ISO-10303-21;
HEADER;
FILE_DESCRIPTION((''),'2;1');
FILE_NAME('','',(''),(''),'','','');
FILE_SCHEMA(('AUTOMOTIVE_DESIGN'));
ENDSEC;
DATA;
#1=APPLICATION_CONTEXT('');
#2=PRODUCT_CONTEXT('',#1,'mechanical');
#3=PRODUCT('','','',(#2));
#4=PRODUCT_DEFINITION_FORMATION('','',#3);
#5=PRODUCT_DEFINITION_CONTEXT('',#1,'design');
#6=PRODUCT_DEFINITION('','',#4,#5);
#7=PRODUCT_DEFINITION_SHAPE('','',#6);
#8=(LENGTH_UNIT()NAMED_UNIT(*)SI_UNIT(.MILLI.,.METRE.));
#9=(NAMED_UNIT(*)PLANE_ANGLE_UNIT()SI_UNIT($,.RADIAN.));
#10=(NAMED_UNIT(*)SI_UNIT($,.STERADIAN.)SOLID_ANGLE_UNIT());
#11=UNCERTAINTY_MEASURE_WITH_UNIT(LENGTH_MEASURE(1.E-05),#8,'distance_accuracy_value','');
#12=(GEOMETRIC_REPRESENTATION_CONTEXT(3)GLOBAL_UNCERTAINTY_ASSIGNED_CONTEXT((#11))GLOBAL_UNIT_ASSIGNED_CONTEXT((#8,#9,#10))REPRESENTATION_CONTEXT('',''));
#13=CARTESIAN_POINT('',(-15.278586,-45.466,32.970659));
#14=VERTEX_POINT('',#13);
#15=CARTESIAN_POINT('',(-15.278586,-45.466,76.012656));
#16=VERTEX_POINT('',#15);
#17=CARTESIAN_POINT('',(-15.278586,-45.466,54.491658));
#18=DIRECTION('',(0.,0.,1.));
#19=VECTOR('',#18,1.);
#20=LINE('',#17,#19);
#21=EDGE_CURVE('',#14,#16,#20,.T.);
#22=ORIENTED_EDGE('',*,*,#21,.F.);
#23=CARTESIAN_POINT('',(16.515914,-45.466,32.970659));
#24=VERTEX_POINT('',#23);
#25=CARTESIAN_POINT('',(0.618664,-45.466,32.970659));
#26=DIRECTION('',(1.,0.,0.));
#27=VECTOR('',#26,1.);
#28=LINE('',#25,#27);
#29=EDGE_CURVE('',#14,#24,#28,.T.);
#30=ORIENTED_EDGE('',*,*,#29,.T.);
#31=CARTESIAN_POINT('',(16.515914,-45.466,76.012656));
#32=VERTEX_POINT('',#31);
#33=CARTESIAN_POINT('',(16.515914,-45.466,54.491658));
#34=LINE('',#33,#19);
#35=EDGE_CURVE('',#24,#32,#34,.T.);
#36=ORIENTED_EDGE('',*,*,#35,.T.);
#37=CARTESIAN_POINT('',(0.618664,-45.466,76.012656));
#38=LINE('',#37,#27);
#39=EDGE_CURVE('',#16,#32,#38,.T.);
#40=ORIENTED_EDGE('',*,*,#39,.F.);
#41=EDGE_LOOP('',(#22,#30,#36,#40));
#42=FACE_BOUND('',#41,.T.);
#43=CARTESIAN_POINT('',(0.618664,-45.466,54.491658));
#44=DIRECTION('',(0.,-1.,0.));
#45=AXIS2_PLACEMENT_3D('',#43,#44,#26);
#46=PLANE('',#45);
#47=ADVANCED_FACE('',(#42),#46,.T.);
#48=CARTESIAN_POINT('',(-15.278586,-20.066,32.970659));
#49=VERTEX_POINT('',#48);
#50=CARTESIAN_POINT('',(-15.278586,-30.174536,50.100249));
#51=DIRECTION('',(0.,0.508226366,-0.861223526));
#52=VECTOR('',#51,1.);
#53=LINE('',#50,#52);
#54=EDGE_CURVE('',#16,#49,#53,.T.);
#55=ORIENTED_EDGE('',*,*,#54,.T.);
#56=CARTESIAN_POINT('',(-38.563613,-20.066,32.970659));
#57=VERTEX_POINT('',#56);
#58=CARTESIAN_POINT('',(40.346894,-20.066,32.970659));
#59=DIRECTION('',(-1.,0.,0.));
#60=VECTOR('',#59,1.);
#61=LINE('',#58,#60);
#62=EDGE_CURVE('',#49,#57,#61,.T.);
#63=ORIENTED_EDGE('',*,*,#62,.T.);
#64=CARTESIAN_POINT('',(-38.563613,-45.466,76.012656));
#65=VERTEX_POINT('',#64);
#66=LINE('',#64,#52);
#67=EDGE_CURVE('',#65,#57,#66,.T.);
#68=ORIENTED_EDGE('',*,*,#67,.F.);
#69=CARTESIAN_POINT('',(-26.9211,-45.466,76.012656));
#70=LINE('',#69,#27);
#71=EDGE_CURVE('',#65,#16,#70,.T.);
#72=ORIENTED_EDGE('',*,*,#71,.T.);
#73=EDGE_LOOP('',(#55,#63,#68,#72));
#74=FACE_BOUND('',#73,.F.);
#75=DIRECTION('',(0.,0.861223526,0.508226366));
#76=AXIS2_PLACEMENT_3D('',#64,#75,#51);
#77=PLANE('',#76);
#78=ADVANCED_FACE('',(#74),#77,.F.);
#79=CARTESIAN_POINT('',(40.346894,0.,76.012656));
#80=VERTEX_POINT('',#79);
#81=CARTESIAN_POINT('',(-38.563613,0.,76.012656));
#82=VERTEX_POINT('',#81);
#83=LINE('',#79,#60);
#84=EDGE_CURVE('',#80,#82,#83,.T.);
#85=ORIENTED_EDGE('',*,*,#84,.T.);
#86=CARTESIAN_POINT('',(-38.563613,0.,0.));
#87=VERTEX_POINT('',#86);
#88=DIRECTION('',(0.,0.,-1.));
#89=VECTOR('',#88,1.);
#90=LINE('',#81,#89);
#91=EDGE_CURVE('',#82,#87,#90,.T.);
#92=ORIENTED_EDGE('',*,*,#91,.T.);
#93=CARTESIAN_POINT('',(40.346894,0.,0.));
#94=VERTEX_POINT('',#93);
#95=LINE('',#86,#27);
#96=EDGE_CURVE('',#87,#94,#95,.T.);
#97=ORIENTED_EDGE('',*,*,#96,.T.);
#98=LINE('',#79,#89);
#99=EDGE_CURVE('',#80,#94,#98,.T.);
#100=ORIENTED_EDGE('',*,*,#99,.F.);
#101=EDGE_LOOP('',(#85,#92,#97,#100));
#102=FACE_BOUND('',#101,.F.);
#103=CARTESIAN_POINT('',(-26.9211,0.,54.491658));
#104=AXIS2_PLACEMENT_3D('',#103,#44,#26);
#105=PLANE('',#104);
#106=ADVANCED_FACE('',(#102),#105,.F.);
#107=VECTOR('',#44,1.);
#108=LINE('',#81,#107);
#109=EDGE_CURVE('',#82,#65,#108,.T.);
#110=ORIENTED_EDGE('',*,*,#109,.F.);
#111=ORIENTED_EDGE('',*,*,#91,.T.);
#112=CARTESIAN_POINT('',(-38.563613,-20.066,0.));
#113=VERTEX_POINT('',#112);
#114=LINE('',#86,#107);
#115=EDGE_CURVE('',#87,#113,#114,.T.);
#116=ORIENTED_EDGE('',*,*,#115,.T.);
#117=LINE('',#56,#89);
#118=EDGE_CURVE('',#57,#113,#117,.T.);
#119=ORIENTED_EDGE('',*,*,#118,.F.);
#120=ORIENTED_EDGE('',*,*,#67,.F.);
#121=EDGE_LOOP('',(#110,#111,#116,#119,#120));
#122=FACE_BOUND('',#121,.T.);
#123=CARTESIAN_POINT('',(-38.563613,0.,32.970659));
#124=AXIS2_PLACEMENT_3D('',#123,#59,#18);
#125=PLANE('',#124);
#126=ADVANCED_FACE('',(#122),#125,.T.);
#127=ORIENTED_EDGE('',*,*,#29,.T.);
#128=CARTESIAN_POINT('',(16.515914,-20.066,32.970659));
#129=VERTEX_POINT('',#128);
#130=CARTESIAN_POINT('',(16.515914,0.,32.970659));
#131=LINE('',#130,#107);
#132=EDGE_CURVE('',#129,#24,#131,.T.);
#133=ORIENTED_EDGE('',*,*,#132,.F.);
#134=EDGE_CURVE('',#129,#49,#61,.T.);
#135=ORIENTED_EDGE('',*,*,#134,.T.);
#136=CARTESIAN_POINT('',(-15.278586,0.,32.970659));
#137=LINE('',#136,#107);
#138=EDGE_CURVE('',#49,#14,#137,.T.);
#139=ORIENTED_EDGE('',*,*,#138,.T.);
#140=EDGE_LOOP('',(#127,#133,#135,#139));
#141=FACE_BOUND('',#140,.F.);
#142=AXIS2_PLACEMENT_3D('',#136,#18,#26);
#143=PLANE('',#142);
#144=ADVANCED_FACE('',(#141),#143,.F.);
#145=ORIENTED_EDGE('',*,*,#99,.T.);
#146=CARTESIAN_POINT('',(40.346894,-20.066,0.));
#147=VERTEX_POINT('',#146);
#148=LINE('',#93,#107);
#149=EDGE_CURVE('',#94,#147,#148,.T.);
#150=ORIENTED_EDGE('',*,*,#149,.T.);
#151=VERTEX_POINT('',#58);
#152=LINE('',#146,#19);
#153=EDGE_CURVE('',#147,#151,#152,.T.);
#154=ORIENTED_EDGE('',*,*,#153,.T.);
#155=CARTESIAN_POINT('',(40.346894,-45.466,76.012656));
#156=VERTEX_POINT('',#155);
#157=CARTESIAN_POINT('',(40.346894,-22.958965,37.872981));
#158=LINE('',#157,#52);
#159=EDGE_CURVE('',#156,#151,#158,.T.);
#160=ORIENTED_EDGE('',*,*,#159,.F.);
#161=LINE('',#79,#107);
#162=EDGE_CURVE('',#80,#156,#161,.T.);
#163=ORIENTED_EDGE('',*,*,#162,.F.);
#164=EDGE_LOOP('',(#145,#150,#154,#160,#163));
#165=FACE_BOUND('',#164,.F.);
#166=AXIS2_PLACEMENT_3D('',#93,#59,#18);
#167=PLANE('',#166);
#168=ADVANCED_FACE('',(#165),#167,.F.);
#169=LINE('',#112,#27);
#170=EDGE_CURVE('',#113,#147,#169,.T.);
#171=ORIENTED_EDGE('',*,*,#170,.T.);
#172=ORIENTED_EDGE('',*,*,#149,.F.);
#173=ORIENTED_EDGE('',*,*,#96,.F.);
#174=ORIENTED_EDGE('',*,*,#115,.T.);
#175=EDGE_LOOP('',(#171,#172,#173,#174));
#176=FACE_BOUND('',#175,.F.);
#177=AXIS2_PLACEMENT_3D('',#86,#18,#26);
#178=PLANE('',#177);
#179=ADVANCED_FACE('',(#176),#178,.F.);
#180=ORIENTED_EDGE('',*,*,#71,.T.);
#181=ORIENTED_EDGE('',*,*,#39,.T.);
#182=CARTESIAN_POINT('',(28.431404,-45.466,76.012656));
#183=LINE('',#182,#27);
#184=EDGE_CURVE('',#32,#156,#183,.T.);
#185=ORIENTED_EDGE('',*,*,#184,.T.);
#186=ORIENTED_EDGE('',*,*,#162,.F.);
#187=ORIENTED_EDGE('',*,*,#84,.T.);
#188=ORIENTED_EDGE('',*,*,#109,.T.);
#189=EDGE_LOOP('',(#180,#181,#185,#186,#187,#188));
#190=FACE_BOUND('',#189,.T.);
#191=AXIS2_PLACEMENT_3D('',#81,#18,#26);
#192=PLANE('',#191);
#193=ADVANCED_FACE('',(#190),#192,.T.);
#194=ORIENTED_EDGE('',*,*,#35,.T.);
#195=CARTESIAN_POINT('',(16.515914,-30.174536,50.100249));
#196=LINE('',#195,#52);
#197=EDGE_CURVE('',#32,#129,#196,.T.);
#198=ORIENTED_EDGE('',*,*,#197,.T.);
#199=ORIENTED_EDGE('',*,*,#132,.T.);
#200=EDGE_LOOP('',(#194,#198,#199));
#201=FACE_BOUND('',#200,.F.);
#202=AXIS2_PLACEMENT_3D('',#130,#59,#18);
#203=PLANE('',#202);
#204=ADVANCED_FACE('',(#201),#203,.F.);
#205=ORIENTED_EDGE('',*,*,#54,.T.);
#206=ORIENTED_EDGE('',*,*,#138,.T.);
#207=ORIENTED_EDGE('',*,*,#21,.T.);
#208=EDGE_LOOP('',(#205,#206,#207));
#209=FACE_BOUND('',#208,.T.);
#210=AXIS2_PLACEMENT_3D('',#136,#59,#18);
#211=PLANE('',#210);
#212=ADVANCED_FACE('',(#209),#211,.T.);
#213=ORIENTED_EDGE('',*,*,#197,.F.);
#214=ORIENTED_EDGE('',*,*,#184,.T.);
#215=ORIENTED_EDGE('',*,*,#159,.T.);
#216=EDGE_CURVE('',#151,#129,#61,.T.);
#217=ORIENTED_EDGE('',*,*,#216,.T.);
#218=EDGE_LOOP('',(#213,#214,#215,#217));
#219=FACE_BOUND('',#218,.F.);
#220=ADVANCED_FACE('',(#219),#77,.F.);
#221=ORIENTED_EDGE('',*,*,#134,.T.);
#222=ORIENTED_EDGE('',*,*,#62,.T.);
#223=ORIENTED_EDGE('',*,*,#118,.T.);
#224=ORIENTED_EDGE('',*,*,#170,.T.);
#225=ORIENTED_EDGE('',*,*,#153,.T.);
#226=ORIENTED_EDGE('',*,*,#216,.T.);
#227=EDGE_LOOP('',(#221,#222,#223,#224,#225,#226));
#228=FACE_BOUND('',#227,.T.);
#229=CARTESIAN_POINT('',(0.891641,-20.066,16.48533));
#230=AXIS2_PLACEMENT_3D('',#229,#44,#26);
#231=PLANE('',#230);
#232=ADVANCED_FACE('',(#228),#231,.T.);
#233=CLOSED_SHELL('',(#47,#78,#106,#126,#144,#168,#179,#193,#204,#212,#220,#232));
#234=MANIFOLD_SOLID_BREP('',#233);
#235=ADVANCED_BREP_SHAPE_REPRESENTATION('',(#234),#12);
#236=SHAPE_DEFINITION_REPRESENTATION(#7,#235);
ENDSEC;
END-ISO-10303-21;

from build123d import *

# Parameters (mm, degrees)
F1_DEPTH = 20.066
F0_W     = 23.2850266621
F0_H     = 43.0419966578
F0_W_2   = 23.8309800625
F2_DEPTH = 45.466
F4_DEPTH = 78.9115072618
F0_W_3   = 31.7945005372
F5_DEPTH = 45.466


with BuildPart() as f1:
    # F0 (on Front) → F1 (new body)
    with BuildSketch(Plane.XZ):
        Polygon((-38.5636128485, 32.9706594348), (-38.5636128485, 0), (40.3468944132, 0), (40.3468944132, 32.9706594348), (16.5159143507, 32.9706594348), (-15.2785861865, 32.9706594348), align=None)
    extrude(amount=F1_DEPTH)

    # F0 (on Front) → F2 (join)
    with BuildSketch(Plane.XZ):
        with Locations((-26.9210995175, 54.4916577637)):
            Rectangle(F0_W, F0_H)
        with Locations((28.431404382, 54.4916577637)):
            Rectangle(F0_W_2, F0_H)
    extrude(amount=F2_DEPTH)

    # F3 (on face) → F4 (cut, through all)
    with BuildSketch(Plane(origin=(-38.5636128485, 0, 0), x_dir=(0, -1, 0), z_dir=(-1, 0, 0))):
        Polygon((45.466, 32.9706594348), (45.466, 76.0126560926), (20.066, 32.9706594348), align=None)
    extrude(amount=-F4_DEPTH, mode=Mode.SUBTRACT)

    # F0 (on Front) → F5 (join)
    with BuildSketch(Plane.XZ):
        with Locations((0.6186640821, 54.4916577637)):
            Rectangle(F0_W_3, F0_H)
    extrude(amount=F5_DEPTH)


solid = f1.part
